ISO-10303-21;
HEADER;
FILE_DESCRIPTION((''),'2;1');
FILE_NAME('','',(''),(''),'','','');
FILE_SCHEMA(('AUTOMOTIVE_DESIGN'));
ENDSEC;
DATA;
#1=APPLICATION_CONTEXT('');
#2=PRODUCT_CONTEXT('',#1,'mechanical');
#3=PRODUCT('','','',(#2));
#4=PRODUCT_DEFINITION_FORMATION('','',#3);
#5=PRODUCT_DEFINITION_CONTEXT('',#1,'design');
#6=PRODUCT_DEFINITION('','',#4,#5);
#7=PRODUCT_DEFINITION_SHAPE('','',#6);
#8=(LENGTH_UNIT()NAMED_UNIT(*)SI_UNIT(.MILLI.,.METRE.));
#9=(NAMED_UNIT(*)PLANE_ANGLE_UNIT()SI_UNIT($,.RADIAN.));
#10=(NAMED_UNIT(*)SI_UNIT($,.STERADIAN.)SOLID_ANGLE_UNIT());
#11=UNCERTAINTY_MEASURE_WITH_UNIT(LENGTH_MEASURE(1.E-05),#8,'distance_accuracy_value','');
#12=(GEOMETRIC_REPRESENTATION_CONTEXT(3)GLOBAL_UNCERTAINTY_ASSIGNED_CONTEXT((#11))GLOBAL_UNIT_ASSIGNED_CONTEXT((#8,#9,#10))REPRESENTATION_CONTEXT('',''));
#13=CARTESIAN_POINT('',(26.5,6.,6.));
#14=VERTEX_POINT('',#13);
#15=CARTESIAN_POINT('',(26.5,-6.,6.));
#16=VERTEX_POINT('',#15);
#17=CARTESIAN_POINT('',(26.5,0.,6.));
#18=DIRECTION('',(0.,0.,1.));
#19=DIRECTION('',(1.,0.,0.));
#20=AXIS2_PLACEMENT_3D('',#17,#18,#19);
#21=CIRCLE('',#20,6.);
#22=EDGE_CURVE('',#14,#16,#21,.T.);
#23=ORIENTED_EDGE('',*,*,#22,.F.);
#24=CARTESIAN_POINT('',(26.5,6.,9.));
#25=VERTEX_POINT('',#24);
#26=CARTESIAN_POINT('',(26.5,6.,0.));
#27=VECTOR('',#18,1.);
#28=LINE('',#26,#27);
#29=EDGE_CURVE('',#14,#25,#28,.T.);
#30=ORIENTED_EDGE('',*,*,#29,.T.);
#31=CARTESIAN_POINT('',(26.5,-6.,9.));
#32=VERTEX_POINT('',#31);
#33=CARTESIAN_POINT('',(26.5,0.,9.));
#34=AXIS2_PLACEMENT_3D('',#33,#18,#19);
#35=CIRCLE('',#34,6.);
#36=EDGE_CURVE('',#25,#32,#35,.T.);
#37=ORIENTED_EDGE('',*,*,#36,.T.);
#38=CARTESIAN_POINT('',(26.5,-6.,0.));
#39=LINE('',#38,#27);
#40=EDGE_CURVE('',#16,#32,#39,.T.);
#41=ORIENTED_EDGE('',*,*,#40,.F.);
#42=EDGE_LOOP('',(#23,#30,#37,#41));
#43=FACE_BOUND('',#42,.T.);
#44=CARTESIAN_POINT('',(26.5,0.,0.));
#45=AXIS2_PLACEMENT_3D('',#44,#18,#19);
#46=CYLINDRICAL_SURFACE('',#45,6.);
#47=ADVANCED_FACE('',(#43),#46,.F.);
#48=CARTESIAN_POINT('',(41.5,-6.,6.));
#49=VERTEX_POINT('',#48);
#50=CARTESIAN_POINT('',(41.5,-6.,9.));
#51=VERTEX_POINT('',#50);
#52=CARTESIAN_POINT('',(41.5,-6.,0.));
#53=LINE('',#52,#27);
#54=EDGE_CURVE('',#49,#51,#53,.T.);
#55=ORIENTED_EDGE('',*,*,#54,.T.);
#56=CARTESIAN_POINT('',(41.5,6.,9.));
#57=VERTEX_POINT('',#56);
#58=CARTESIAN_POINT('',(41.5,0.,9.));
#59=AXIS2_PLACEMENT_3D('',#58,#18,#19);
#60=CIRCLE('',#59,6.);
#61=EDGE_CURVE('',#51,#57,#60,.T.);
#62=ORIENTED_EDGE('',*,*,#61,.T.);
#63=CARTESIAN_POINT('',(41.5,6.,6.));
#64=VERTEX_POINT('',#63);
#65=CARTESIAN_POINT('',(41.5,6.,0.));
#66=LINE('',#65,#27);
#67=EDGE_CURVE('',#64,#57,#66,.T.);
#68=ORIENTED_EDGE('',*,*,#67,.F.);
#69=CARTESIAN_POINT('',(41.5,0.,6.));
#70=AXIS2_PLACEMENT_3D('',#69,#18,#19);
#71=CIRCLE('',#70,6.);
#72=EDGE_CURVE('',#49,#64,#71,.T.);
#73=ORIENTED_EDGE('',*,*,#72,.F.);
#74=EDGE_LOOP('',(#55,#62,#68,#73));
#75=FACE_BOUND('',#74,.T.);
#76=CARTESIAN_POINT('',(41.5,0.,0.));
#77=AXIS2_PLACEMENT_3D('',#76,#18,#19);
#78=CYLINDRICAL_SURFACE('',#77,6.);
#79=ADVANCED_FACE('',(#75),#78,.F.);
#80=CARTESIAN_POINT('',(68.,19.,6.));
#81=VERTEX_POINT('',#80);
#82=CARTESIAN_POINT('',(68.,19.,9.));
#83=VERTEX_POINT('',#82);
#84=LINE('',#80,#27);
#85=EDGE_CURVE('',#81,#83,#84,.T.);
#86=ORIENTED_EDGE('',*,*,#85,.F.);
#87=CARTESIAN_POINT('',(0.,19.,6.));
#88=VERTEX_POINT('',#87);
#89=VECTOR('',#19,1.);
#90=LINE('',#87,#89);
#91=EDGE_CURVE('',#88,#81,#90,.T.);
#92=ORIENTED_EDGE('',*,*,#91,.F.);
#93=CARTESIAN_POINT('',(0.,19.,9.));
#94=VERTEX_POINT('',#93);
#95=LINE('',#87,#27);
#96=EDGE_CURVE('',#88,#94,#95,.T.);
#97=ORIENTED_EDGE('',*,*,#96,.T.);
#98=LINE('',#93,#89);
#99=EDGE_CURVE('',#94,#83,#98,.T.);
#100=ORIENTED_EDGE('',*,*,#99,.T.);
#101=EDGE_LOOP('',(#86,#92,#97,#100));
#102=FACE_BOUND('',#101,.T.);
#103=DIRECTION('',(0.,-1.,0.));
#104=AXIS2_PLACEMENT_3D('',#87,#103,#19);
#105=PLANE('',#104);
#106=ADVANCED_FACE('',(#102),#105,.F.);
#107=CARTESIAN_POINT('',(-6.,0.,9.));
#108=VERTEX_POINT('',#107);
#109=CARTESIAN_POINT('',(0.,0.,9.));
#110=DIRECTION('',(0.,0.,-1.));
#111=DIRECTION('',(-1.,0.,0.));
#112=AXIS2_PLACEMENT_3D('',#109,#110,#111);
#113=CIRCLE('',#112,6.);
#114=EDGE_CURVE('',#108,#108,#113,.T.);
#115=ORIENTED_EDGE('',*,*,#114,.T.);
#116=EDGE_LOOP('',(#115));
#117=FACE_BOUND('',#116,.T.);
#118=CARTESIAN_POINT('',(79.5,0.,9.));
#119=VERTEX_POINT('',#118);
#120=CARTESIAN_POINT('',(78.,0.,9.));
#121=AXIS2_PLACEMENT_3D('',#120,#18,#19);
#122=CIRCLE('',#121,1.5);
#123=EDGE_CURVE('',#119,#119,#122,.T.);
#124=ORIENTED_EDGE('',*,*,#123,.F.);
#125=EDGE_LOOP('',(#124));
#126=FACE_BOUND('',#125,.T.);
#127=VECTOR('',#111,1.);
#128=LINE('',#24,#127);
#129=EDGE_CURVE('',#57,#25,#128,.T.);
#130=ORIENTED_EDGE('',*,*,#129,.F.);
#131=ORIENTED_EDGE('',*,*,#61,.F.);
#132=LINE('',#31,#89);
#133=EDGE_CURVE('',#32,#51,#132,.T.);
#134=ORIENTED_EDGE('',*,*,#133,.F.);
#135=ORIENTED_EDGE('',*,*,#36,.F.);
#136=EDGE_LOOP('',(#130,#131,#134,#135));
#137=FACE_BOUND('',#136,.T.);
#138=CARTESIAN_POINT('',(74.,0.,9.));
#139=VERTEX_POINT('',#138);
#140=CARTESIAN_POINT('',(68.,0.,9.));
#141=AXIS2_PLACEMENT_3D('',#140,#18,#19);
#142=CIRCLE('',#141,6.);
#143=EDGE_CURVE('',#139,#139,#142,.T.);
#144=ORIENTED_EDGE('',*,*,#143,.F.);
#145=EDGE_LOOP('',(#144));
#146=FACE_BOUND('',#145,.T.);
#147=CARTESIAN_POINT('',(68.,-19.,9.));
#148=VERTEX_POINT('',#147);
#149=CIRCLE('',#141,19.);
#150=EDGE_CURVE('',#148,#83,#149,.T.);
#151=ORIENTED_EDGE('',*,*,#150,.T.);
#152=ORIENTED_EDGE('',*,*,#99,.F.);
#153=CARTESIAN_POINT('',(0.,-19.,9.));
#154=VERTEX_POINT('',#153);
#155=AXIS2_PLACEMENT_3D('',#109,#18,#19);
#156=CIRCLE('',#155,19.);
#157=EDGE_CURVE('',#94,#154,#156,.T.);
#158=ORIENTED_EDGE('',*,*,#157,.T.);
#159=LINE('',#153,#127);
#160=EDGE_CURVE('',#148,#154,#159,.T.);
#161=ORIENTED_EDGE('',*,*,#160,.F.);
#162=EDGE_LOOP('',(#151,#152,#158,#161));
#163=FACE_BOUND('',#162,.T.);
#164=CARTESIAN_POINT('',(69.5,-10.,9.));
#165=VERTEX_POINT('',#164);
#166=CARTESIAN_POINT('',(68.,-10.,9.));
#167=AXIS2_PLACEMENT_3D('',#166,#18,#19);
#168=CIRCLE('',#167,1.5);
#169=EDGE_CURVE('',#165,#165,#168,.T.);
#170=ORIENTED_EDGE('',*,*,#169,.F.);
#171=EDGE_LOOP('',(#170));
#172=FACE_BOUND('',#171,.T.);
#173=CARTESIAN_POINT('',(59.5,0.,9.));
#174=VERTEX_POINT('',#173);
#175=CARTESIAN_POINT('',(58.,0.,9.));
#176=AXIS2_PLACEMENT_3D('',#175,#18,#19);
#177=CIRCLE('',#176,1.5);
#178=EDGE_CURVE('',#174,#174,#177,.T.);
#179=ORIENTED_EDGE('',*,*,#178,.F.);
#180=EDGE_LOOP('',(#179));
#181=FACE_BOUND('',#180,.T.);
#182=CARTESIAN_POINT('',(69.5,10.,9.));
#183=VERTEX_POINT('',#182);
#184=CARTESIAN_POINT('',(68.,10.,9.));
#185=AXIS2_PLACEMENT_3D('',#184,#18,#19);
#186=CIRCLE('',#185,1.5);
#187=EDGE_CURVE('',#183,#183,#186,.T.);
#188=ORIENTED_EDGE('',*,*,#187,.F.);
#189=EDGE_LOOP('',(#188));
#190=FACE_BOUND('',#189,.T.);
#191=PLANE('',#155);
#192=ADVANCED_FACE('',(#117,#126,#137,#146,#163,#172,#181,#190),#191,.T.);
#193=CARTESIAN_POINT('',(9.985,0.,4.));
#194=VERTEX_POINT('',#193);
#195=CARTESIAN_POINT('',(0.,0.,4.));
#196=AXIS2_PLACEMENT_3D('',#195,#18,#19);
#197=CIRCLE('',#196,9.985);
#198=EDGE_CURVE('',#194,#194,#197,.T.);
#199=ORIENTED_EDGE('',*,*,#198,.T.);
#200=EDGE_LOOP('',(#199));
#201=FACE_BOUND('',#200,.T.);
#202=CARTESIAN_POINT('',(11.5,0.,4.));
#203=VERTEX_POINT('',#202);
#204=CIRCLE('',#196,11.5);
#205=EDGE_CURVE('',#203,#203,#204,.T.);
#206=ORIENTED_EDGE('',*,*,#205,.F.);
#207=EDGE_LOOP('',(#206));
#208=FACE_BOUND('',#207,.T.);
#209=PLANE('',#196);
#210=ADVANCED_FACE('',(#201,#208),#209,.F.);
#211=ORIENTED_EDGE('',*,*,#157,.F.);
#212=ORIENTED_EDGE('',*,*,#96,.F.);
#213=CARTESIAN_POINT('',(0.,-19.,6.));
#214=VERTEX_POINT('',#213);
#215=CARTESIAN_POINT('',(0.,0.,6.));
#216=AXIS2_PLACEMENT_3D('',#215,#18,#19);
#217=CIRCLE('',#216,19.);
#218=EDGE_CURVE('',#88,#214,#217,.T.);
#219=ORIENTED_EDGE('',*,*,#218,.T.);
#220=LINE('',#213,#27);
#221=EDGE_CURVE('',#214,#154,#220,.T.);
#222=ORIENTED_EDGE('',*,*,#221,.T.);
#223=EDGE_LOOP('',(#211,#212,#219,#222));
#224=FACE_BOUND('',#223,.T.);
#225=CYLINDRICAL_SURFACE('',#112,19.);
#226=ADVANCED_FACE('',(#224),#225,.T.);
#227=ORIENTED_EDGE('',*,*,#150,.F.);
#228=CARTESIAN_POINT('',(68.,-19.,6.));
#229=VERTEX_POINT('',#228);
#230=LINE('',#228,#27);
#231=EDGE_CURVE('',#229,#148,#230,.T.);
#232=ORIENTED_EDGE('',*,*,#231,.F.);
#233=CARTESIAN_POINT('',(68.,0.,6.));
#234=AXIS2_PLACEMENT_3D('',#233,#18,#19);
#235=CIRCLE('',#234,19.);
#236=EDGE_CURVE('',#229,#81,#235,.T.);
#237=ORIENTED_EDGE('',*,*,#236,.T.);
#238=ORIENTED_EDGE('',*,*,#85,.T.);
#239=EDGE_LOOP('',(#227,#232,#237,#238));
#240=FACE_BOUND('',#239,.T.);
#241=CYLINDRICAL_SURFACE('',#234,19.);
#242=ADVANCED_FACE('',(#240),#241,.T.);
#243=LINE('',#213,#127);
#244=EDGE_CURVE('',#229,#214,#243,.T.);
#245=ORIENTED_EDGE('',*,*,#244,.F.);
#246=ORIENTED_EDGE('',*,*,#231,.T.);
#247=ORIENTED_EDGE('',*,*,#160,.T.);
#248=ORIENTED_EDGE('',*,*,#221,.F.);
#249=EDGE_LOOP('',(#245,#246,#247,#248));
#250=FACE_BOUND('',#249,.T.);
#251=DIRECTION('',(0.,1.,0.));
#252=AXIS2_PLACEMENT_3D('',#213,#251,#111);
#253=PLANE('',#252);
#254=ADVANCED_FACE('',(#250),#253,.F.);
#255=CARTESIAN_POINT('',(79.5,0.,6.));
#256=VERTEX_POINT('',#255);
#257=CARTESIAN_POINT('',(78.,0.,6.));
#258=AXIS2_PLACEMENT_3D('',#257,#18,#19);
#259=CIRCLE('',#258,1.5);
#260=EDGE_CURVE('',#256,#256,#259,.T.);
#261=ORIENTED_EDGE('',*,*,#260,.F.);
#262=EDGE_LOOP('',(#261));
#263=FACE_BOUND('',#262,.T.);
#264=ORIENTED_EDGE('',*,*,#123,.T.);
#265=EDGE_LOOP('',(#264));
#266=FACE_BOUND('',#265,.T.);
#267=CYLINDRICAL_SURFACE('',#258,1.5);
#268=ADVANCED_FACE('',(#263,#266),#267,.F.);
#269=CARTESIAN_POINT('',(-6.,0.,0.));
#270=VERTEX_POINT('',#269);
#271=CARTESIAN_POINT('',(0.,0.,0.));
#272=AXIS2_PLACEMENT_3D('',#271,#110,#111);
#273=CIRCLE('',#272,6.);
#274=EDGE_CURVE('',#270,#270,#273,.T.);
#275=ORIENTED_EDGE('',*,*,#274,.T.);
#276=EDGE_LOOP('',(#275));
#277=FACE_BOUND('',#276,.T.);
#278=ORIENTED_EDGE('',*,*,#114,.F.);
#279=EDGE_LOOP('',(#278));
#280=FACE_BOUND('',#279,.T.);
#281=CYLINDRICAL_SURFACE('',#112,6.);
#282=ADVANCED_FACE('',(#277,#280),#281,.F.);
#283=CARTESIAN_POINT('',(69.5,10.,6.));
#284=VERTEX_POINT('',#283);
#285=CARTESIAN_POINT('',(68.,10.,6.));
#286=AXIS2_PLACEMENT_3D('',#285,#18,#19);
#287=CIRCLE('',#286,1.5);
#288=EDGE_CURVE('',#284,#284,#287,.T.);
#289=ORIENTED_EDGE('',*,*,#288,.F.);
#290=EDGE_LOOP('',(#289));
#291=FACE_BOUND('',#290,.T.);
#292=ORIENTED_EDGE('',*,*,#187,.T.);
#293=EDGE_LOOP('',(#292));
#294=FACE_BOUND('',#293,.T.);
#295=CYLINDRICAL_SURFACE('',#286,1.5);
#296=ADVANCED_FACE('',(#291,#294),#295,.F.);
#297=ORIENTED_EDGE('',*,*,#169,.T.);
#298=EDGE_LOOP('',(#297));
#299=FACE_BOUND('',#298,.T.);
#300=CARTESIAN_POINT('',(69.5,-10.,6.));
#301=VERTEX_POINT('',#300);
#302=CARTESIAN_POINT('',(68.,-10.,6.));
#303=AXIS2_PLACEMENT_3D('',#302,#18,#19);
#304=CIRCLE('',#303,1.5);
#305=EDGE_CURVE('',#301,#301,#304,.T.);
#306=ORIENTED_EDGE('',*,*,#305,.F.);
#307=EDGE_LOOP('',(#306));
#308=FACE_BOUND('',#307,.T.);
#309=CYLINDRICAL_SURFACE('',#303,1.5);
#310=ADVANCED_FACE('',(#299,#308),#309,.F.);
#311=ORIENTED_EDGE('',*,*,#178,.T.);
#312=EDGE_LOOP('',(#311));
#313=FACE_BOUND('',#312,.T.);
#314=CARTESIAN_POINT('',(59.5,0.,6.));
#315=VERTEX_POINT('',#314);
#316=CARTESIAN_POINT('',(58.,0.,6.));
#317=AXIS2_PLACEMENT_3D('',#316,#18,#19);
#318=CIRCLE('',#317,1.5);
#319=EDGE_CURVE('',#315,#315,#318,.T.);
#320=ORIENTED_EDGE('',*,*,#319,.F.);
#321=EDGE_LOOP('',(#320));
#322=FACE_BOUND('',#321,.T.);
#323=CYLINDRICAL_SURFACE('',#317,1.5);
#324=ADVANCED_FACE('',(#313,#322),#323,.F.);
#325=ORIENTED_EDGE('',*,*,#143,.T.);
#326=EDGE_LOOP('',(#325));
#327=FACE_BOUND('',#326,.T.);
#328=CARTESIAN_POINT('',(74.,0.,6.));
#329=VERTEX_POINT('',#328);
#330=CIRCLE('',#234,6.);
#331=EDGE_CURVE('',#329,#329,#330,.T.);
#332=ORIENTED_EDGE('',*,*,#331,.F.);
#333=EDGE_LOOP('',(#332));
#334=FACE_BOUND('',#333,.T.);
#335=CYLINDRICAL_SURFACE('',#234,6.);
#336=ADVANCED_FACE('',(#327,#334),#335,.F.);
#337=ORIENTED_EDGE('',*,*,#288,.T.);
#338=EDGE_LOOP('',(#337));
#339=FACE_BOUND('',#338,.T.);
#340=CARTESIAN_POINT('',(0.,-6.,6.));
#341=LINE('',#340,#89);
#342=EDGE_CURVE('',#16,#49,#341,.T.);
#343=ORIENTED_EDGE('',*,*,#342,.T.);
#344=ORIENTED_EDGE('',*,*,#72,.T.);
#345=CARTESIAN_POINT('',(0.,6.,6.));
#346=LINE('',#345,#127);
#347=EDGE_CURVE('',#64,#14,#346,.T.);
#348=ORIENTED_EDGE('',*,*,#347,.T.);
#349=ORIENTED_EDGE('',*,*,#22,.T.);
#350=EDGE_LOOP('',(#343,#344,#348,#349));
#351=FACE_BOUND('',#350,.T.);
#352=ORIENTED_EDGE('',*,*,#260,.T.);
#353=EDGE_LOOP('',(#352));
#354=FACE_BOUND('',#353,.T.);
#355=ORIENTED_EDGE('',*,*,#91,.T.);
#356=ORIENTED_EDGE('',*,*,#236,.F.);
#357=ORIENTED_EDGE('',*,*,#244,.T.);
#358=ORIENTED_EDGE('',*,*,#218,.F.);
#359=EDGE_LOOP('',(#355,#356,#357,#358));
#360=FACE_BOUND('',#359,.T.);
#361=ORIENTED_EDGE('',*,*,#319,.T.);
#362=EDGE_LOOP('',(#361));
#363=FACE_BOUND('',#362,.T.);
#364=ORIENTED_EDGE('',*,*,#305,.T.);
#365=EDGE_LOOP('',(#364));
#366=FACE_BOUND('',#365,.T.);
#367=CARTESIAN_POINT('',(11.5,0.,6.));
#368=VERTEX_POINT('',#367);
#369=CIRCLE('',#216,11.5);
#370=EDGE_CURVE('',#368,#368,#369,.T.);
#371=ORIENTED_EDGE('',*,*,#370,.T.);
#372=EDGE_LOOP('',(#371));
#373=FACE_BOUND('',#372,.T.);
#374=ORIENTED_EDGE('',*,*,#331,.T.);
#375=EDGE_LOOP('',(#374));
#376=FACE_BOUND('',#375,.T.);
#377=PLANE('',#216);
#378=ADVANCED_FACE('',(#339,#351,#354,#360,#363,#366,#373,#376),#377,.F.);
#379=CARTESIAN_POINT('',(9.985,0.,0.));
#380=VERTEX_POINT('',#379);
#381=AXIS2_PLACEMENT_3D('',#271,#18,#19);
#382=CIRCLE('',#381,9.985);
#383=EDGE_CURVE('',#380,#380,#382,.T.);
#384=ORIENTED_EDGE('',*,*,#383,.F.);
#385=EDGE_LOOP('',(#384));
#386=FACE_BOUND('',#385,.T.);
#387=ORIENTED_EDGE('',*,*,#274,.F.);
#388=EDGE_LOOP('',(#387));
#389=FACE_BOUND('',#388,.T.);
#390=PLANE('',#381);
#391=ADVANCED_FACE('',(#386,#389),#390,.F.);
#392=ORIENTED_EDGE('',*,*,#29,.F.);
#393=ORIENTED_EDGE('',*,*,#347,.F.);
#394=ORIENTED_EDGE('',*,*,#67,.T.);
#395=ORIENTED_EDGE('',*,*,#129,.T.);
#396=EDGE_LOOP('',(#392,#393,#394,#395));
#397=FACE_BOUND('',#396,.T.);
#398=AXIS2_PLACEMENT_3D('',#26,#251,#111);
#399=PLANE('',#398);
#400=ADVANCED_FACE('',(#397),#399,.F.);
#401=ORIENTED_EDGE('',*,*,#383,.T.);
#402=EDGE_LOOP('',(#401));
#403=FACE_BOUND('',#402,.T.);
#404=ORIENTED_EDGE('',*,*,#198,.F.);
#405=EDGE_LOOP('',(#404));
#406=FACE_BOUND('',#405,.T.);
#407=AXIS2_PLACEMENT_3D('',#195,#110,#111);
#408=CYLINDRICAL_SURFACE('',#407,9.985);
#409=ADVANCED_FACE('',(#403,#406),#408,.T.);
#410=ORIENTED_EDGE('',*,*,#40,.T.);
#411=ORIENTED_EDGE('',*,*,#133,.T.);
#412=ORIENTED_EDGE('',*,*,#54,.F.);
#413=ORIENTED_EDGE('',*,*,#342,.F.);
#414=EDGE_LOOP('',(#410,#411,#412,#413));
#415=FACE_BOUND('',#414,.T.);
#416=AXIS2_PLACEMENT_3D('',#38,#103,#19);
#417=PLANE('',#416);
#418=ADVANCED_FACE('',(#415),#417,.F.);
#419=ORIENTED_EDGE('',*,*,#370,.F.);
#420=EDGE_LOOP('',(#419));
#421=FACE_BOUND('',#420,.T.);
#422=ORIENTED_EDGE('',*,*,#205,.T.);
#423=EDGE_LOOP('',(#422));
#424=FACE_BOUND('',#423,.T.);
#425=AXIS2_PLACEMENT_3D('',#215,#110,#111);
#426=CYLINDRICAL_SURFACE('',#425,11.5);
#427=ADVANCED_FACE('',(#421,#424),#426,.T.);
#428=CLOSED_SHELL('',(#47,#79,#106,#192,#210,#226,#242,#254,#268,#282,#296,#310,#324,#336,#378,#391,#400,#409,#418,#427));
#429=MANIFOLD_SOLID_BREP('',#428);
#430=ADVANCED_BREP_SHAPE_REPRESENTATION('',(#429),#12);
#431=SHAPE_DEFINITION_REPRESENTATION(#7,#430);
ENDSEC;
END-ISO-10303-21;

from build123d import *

# Parameters (mm, degrees)
SKETCH_1_R          = 9.985
EXTRUDE_1_DEPTH     = 4
SKETCH_2_R          = 11.5
EXTRUDE_2_DEPTH     = 2
SKETCH_3_R          = 19
EXTRUDE_3_DEPTH     = 3
SKETCH_4_R          = 6
CUT_EXTRUDE_1_DEPTH = 29.337254631
EXTRUDE_START       = -3
SKETCH_5_R          = 1.5
SKETCH_5_R_2        = 6
EXTRUDE_4_DEPTH     = 3
SKETCH_6_R          = 6
CUT_EXTRUDE_2_DEPTH = 90.504189846


with BuildPart() as part:
    # 草图1 → 凸台-拉伸1 (new body)
    with BuildSketch(Plane.XY):
        Circle(SKETCH_1_R)
    extrude(amount=EXTRUDE_1_DEPTH)

    # 草图2 → 凸台-拉伸2 (add)
    with BuildSketch(Plane.XY.offset(4)):
        Circle(SKETCH_2_R)
    extrude(amount=EXTRUDE_2_DEPTH)

    # 草图3 → 凸台-拉伸3 (add)
    with BuildSketch(Plane.XY.offset(6)):
        Circle(SKETCH_3_R)
    extrude(amount=EXTRUDE_3_DEPTH)

    # 草图4 → 切除-拉伸1 (cut, through all)
    with BuildSketch(Plane(origin=(0, 0, 0), x_dir=(-1, 0, 0), z_dir=(0, 0, -1))):
        Circle(SKETCH_4_R)
    extrude(amount=-CUT_EXTRUDE_1_DEPTH, mode=Mode.SUBTRACT)

    # 草图5 → 凸台-拉伸4 (add)
    # profile 1 of 2: a face of its own
    with BuildSketch(Plane.XY.offset(9).offset(EXTRUDE_START)):
        with BuildLine():
            Line((68, 19), (0, 19))
            ThreePointArc((0, 19), (13.435028843, 13.435028843), (19, 0))
            ThreePointArc((19, 0), (13.435028843, -13.435028843), (0, -19))
            Line((0, -19), (68, -19))
            ThreePointArc((68, -19), (49, 0), (68, 19))
        make_face()
    # profile 2 of 2: a face of its own
    with BuildSketch(Plane.XY.offset(9).offset(EXTRUDE_START)):
        with BuildLine():
            ThreePointArc((87, 0), (81.435028843, 13.435028843), (68, 19))
            ThreePointArc((68, 19), (49, 0), (68, -19))
            ThreePointArc((68, -19), (81.435028843, -13.435028843), (87, 0))
        make_face()
        with Locations((68, -10)):
            Circle(SKETCH_5_R, mode=Mode.SUBTRACT)
        with Locations((58, 0)):
            Circle(SKETCH_5_R, mode=Mode.SUBTRACT)
        with Locations((68, 0)):
            Circle(SKETCH_5_R_2, mode=Mode.SUBTRACT)
        with Locations((78, 0)):
            Circle(SKETCH_5_R, mode=Mode.SUBTRACT)
        with Locations((68, 10)):
            Circle(SKETCH_5_R, mode=Mode.SUBTRACT)
    extrude(amount=EXTRUDE_4_DEPTH)

    # 草图6 → 切除-拉伸2 (cut, through all)
    with BuildSketch(Plane.XY.offset(9)):
        with Locations((68, 0)):
            Circle(SKETCH_6_R)
        with BuildLine():
            Line((26.5, 6), (41.5, 6))
            ThreePointArc((41.5, 6), (47.5, 0), (41.5, -6))
            Line((41.5, -6), (26.5, -6))
            ThreePointArc((26.5, -6), (20.5, 0), (26.5, 6))
        make_face()
    extrude(amount=-CUT_EXTRUDE_2_DEPTH, mode=Mode.SUBTRACT)


solid = part.part
